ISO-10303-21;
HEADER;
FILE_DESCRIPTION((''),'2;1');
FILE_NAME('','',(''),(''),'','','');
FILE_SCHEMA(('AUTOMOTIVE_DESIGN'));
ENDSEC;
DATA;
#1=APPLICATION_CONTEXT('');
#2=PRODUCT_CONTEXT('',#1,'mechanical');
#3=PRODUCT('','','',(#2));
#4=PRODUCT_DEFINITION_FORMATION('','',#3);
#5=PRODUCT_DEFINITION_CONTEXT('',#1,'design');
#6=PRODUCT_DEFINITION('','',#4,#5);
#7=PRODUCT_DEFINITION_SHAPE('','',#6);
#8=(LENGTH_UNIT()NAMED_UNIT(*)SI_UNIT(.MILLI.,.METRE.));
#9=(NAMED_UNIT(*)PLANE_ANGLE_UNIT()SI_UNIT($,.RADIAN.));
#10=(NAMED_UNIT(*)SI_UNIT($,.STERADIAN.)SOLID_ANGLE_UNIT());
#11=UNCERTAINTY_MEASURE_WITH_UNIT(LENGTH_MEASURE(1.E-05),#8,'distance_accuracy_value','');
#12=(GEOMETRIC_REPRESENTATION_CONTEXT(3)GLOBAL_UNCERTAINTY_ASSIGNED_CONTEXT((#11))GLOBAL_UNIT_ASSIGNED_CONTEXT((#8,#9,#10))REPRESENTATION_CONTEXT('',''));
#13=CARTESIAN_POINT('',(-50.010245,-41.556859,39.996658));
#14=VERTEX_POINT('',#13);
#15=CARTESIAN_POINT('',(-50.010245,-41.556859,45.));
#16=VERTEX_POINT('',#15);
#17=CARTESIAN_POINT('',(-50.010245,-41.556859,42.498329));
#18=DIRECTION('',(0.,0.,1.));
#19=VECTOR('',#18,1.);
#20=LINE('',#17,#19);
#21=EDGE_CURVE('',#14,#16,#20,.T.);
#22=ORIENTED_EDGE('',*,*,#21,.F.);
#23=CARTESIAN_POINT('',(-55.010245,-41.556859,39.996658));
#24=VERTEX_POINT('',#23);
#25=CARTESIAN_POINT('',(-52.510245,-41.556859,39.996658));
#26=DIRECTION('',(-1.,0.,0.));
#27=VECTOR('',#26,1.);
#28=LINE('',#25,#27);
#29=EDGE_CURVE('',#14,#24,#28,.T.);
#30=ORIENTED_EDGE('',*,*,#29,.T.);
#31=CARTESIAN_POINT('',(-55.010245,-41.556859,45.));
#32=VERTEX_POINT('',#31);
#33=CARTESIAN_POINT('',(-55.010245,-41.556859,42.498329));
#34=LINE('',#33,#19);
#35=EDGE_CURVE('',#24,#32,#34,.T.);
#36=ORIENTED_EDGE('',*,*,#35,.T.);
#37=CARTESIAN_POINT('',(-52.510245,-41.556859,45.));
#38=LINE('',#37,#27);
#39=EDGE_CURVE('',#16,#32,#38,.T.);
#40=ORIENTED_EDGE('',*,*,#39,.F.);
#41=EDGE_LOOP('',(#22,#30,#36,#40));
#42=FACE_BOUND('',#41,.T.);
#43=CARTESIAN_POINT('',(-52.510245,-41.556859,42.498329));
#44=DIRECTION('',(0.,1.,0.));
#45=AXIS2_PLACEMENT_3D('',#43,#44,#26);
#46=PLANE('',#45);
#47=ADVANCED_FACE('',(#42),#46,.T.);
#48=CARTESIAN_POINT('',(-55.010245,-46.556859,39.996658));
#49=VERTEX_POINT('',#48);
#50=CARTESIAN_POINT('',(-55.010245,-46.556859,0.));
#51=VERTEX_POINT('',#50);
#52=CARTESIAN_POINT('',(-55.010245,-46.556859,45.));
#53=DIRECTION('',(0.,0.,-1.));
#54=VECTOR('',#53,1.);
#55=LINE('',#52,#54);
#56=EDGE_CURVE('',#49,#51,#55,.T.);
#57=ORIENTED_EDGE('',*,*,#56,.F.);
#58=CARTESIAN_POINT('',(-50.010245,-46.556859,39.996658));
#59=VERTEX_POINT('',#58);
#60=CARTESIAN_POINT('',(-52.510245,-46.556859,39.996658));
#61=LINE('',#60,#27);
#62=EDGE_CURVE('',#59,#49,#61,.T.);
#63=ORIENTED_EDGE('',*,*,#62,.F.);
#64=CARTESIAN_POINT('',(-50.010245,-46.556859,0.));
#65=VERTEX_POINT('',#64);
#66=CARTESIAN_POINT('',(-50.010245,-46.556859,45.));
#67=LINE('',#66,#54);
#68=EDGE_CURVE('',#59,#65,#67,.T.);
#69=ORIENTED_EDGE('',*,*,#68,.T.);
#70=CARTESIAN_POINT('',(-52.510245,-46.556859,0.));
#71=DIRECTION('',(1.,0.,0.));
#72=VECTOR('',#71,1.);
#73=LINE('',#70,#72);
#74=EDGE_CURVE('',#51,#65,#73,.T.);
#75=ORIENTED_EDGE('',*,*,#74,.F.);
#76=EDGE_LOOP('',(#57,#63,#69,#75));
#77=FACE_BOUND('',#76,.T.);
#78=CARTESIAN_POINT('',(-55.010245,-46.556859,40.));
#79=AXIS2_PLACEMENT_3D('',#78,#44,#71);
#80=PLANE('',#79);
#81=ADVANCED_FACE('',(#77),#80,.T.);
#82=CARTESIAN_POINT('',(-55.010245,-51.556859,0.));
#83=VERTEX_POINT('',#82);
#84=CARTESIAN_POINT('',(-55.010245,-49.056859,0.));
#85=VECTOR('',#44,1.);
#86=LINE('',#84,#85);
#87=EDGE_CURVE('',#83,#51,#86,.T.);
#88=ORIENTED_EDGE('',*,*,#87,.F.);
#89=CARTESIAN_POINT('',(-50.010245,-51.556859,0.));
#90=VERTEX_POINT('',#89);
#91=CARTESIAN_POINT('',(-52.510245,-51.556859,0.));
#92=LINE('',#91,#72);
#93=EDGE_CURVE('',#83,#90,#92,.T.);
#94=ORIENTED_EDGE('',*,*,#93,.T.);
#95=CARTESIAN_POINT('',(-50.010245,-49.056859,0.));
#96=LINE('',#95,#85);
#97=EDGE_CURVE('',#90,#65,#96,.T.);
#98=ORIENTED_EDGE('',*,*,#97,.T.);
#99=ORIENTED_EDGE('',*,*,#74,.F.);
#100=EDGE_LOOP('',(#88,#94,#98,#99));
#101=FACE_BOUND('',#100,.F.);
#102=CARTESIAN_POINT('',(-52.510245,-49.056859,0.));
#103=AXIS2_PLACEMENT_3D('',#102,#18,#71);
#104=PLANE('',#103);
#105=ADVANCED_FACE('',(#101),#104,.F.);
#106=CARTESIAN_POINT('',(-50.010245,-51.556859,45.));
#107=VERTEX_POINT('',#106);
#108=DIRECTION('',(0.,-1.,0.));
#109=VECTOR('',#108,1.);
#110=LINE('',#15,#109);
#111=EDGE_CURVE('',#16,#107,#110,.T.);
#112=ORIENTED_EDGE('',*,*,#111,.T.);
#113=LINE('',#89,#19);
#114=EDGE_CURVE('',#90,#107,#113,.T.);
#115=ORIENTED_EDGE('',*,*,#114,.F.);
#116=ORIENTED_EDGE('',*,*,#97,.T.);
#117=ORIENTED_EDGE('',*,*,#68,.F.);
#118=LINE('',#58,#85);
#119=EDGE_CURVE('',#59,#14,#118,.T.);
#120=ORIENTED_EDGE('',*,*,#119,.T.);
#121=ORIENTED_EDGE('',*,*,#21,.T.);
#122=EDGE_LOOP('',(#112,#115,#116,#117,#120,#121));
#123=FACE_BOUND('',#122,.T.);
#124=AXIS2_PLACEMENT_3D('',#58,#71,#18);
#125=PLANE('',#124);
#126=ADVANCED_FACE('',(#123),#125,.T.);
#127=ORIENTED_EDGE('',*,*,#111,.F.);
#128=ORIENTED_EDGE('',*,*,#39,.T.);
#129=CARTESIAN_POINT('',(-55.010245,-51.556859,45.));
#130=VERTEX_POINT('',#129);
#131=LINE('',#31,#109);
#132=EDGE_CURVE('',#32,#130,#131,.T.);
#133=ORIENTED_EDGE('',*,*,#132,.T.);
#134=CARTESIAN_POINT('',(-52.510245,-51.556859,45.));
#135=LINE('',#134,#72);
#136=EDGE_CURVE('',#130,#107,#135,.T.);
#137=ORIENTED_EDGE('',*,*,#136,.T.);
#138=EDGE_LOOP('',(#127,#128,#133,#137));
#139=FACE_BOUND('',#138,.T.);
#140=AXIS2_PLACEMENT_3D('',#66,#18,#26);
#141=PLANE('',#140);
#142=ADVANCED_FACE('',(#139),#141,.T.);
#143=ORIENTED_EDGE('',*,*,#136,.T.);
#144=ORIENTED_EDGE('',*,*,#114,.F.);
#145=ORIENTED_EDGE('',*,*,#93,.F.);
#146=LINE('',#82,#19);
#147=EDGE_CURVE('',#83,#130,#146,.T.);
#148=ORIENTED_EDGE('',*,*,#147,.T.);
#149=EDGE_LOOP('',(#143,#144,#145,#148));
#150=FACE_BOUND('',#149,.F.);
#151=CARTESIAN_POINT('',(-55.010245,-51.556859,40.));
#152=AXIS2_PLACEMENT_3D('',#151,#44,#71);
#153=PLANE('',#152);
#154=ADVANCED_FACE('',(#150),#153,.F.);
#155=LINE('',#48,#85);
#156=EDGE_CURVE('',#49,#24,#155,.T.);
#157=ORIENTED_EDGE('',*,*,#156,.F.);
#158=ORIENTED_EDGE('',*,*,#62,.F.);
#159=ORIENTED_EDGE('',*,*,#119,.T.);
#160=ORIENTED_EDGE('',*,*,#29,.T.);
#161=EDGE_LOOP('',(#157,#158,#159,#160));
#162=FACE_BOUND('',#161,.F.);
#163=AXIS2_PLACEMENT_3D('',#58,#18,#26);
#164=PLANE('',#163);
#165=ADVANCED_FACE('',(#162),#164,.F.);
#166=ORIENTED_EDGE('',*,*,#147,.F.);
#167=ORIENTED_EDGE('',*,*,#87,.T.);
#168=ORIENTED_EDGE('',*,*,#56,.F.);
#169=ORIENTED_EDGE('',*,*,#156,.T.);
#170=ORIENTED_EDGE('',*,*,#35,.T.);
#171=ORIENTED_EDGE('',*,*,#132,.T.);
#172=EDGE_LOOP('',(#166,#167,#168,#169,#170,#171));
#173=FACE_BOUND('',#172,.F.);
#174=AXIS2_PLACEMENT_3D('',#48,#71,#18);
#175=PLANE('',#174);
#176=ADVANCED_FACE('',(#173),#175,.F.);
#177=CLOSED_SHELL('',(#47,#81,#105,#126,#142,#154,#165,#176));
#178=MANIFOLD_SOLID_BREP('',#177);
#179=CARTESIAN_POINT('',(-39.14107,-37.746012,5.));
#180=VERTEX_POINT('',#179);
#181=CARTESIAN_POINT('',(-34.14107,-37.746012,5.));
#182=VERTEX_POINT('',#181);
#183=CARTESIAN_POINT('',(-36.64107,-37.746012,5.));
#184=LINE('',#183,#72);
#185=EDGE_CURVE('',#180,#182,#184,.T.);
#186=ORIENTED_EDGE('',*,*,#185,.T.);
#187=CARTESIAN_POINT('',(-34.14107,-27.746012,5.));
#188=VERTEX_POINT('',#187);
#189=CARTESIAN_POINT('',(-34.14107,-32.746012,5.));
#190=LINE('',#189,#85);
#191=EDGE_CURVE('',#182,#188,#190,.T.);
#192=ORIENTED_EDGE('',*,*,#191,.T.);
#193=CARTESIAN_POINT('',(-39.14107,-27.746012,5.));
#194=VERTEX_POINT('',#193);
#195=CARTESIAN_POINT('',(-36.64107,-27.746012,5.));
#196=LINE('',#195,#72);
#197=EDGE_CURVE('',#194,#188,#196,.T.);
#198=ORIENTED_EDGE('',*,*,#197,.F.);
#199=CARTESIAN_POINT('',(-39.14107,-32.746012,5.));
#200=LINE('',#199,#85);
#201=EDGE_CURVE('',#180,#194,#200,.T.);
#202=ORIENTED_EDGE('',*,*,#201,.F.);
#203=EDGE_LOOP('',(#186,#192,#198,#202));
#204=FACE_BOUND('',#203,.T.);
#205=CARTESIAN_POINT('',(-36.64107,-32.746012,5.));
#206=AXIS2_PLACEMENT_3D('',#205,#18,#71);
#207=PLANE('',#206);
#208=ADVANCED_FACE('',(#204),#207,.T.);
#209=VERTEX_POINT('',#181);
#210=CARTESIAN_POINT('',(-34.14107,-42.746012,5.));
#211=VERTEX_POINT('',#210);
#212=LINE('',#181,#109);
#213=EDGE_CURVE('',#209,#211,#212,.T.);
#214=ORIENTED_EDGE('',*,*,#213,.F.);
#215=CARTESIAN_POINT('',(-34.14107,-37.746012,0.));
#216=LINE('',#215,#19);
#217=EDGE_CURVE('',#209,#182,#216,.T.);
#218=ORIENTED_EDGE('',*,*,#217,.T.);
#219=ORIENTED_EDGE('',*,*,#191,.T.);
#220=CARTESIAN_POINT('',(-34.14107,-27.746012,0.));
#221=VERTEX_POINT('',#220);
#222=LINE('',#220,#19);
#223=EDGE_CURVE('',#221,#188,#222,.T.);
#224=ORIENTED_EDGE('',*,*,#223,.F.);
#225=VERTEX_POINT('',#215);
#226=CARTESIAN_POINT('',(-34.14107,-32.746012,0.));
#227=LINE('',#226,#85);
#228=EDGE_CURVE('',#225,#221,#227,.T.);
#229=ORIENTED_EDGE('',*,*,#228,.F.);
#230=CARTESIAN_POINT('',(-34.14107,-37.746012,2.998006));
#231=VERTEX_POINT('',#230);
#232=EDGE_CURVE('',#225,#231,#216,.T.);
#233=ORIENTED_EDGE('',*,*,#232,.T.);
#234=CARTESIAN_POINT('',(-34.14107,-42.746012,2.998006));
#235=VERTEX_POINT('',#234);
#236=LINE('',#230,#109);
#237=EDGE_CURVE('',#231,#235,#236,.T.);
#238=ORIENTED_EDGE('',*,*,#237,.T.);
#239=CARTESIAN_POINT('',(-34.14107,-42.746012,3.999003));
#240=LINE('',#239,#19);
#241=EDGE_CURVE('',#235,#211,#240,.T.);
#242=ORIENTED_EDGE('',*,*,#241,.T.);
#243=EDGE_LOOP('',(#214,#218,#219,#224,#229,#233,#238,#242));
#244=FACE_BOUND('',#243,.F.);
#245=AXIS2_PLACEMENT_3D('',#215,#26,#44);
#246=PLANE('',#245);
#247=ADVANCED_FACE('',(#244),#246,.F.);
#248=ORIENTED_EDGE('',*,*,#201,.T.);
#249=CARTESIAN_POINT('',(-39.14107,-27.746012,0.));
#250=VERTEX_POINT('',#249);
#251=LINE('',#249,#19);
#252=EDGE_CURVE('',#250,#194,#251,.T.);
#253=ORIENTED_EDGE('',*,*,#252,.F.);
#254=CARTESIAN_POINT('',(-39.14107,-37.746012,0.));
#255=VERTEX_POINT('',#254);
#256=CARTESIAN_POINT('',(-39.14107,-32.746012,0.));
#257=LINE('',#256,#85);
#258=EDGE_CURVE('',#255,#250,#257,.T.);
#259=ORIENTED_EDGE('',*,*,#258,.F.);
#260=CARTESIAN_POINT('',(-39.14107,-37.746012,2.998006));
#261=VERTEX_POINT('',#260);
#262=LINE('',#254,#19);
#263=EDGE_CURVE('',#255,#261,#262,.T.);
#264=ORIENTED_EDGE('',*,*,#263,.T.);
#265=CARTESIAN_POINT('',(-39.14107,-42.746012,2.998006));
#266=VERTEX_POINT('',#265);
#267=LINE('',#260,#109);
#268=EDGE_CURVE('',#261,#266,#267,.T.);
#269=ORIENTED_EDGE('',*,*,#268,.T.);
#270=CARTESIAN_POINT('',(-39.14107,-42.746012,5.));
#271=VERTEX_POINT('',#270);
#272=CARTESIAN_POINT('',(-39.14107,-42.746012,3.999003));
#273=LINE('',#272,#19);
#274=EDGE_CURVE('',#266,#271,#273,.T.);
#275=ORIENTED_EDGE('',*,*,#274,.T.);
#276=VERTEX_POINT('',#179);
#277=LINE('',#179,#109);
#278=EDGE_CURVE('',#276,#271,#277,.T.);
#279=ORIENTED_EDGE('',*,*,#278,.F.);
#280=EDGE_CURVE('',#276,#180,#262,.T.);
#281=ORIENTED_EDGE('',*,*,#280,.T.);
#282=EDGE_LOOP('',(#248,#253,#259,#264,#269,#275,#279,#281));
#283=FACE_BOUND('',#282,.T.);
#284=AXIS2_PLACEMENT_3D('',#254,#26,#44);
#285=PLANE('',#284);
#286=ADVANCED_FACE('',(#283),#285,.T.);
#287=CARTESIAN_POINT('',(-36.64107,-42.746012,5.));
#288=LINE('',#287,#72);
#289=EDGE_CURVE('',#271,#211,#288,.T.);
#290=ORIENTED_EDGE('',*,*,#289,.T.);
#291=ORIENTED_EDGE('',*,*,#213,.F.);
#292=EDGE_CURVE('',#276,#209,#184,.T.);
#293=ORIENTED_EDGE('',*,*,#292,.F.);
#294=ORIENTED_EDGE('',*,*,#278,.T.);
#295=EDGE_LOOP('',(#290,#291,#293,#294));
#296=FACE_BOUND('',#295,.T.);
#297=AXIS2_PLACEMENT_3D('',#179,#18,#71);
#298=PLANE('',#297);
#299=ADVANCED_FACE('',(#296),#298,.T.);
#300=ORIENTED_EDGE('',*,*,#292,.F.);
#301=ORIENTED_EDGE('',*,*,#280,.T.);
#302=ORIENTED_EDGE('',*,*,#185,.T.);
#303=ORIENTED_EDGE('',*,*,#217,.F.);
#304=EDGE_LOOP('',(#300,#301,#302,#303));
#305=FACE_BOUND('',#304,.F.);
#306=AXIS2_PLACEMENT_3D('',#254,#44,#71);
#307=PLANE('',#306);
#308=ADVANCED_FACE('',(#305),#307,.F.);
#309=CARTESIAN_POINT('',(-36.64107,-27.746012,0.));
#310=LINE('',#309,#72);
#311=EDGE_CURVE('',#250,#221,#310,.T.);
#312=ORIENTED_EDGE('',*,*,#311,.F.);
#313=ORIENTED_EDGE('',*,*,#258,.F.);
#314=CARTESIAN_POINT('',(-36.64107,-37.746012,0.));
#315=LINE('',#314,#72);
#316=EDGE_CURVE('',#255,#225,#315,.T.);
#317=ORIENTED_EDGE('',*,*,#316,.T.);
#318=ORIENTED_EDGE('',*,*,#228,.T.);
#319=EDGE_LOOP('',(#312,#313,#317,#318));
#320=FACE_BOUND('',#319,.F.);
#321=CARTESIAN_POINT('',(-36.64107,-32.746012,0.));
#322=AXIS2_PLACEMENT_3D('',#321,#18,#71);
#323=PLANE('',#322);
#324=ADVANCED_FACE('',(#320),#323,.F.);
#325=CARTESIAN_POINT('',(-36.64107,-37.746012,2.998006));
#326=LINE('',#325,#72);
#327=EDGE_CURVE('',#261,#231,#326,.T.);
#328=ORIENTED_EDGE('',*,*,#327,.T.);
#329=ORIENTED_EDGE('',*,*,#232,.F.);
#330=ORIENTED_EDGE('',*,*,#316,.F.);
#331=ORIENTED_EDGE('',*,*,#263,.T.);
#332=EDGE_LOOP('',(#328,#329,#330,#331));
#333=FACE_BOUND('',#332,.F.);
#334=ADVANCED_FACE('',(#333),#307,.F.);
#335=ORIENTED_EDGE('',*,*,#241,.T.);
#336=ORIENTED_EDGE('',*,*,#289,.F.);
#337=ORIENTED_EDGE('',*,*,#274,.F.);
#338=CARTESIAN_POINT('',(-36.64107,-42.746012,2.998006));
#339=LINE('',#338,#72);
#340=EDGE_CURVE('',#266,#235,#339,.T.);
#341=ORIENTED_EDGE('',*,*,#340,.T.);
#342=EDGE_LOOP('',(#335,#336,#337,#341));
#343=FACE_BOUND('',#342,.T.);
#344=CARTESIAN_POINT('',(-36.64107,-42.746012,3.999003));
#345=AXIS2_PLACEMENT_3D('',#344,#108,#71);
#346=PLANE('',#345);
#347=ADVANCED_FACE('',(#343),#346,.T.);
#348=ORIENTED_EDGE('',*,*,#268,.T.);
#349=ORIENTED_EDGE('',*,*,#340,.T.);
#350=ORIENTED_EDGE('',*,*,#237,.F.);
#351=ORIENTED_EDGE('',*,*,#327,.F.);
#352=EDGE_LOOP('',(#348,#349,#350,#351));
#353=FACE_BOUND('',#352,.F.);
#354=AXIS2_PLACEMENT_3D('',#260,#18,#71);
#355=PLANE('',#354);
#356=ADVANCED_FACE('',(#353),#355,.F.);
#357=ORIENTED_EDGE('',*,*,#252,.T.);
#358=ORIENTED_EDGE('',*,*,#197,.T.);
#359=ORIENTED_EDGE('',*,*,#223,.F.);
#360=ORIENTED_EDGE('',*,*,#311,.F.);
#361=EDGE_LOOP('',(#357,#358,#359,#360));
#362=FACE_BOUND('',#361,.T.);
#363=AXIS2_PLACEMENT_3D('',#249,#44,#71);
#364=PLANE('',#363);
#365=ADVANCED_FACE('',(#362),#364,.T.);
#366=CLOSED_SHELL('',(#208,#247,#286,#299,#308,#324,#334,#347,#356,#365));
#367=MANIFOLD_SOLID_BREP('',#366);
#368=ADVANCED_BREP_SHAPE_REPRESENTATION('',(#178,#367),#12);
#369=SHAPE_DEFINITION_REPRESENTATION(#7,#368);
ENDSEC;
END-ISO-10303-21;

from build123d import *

# Parameters (mm, degrees)
F0_W     = 5
F0_H     = 5
F1_DEPTH = 40
F2_W     = 5
F2_H     = 5
F3_DEPTH = 5
F4_W     = 5
F4_H     = 5.003342
F5_DEPTH = 5
F6_W     = 5
F6_H     = 10
F7_DEPTH = 5
F8_W     = 5
F8_H     = 2.001993
F9_DEPTH = 5


with BuildPart() as f1:
    # F0 (on Top) → F1 (new body)
    with BuildSketch(Plane.XY):
        with Locations((-52.510245, -49.056859)):
            Rectangle(F0_W, F0_H)
    extrude(amount=F1_DEPTH)

    # F2 (on face) → F3 (join)
    with BuildSketch(Plane.XY.offset(40)):
        with Locations((-52.510245, -49.056859)):
            Rectangle(F2_W, F2_H)
    extrude(amount=F3_DEPTH)

    # F4 (on face) → F5 (join)
    with BuildSketch(Plane(origin=(0, -46.556859, 0), x_dir=(-1, 0, 0), z_dir=(0, 1, 0))):
        with Locations((52.510245, 42.498329)):
            Rectangle(F4_W, F4_H)
    extrude(amount=F5_DEPTH)


with BuildPart() as f7:
    # F6 (on Top) → F7 (new body)
    with BuildSketch(Plane.XY):
        with Locations((-36.64107, -32.746012)):
            Rectangle(F6_W, F6_H)
    extrude(amount=F7_DEPTH)

    # F8 (on face) → F9 (join)
    with BuildSketch(Plane.XZ.offset(37.746012)):
        with Locations((-36.64107, 3.999003)):
            Rectangle(F8_W, F8_H)
    extrude(amount=F9_DEPTH)


solid = Compound([f1.part, f7.part])
